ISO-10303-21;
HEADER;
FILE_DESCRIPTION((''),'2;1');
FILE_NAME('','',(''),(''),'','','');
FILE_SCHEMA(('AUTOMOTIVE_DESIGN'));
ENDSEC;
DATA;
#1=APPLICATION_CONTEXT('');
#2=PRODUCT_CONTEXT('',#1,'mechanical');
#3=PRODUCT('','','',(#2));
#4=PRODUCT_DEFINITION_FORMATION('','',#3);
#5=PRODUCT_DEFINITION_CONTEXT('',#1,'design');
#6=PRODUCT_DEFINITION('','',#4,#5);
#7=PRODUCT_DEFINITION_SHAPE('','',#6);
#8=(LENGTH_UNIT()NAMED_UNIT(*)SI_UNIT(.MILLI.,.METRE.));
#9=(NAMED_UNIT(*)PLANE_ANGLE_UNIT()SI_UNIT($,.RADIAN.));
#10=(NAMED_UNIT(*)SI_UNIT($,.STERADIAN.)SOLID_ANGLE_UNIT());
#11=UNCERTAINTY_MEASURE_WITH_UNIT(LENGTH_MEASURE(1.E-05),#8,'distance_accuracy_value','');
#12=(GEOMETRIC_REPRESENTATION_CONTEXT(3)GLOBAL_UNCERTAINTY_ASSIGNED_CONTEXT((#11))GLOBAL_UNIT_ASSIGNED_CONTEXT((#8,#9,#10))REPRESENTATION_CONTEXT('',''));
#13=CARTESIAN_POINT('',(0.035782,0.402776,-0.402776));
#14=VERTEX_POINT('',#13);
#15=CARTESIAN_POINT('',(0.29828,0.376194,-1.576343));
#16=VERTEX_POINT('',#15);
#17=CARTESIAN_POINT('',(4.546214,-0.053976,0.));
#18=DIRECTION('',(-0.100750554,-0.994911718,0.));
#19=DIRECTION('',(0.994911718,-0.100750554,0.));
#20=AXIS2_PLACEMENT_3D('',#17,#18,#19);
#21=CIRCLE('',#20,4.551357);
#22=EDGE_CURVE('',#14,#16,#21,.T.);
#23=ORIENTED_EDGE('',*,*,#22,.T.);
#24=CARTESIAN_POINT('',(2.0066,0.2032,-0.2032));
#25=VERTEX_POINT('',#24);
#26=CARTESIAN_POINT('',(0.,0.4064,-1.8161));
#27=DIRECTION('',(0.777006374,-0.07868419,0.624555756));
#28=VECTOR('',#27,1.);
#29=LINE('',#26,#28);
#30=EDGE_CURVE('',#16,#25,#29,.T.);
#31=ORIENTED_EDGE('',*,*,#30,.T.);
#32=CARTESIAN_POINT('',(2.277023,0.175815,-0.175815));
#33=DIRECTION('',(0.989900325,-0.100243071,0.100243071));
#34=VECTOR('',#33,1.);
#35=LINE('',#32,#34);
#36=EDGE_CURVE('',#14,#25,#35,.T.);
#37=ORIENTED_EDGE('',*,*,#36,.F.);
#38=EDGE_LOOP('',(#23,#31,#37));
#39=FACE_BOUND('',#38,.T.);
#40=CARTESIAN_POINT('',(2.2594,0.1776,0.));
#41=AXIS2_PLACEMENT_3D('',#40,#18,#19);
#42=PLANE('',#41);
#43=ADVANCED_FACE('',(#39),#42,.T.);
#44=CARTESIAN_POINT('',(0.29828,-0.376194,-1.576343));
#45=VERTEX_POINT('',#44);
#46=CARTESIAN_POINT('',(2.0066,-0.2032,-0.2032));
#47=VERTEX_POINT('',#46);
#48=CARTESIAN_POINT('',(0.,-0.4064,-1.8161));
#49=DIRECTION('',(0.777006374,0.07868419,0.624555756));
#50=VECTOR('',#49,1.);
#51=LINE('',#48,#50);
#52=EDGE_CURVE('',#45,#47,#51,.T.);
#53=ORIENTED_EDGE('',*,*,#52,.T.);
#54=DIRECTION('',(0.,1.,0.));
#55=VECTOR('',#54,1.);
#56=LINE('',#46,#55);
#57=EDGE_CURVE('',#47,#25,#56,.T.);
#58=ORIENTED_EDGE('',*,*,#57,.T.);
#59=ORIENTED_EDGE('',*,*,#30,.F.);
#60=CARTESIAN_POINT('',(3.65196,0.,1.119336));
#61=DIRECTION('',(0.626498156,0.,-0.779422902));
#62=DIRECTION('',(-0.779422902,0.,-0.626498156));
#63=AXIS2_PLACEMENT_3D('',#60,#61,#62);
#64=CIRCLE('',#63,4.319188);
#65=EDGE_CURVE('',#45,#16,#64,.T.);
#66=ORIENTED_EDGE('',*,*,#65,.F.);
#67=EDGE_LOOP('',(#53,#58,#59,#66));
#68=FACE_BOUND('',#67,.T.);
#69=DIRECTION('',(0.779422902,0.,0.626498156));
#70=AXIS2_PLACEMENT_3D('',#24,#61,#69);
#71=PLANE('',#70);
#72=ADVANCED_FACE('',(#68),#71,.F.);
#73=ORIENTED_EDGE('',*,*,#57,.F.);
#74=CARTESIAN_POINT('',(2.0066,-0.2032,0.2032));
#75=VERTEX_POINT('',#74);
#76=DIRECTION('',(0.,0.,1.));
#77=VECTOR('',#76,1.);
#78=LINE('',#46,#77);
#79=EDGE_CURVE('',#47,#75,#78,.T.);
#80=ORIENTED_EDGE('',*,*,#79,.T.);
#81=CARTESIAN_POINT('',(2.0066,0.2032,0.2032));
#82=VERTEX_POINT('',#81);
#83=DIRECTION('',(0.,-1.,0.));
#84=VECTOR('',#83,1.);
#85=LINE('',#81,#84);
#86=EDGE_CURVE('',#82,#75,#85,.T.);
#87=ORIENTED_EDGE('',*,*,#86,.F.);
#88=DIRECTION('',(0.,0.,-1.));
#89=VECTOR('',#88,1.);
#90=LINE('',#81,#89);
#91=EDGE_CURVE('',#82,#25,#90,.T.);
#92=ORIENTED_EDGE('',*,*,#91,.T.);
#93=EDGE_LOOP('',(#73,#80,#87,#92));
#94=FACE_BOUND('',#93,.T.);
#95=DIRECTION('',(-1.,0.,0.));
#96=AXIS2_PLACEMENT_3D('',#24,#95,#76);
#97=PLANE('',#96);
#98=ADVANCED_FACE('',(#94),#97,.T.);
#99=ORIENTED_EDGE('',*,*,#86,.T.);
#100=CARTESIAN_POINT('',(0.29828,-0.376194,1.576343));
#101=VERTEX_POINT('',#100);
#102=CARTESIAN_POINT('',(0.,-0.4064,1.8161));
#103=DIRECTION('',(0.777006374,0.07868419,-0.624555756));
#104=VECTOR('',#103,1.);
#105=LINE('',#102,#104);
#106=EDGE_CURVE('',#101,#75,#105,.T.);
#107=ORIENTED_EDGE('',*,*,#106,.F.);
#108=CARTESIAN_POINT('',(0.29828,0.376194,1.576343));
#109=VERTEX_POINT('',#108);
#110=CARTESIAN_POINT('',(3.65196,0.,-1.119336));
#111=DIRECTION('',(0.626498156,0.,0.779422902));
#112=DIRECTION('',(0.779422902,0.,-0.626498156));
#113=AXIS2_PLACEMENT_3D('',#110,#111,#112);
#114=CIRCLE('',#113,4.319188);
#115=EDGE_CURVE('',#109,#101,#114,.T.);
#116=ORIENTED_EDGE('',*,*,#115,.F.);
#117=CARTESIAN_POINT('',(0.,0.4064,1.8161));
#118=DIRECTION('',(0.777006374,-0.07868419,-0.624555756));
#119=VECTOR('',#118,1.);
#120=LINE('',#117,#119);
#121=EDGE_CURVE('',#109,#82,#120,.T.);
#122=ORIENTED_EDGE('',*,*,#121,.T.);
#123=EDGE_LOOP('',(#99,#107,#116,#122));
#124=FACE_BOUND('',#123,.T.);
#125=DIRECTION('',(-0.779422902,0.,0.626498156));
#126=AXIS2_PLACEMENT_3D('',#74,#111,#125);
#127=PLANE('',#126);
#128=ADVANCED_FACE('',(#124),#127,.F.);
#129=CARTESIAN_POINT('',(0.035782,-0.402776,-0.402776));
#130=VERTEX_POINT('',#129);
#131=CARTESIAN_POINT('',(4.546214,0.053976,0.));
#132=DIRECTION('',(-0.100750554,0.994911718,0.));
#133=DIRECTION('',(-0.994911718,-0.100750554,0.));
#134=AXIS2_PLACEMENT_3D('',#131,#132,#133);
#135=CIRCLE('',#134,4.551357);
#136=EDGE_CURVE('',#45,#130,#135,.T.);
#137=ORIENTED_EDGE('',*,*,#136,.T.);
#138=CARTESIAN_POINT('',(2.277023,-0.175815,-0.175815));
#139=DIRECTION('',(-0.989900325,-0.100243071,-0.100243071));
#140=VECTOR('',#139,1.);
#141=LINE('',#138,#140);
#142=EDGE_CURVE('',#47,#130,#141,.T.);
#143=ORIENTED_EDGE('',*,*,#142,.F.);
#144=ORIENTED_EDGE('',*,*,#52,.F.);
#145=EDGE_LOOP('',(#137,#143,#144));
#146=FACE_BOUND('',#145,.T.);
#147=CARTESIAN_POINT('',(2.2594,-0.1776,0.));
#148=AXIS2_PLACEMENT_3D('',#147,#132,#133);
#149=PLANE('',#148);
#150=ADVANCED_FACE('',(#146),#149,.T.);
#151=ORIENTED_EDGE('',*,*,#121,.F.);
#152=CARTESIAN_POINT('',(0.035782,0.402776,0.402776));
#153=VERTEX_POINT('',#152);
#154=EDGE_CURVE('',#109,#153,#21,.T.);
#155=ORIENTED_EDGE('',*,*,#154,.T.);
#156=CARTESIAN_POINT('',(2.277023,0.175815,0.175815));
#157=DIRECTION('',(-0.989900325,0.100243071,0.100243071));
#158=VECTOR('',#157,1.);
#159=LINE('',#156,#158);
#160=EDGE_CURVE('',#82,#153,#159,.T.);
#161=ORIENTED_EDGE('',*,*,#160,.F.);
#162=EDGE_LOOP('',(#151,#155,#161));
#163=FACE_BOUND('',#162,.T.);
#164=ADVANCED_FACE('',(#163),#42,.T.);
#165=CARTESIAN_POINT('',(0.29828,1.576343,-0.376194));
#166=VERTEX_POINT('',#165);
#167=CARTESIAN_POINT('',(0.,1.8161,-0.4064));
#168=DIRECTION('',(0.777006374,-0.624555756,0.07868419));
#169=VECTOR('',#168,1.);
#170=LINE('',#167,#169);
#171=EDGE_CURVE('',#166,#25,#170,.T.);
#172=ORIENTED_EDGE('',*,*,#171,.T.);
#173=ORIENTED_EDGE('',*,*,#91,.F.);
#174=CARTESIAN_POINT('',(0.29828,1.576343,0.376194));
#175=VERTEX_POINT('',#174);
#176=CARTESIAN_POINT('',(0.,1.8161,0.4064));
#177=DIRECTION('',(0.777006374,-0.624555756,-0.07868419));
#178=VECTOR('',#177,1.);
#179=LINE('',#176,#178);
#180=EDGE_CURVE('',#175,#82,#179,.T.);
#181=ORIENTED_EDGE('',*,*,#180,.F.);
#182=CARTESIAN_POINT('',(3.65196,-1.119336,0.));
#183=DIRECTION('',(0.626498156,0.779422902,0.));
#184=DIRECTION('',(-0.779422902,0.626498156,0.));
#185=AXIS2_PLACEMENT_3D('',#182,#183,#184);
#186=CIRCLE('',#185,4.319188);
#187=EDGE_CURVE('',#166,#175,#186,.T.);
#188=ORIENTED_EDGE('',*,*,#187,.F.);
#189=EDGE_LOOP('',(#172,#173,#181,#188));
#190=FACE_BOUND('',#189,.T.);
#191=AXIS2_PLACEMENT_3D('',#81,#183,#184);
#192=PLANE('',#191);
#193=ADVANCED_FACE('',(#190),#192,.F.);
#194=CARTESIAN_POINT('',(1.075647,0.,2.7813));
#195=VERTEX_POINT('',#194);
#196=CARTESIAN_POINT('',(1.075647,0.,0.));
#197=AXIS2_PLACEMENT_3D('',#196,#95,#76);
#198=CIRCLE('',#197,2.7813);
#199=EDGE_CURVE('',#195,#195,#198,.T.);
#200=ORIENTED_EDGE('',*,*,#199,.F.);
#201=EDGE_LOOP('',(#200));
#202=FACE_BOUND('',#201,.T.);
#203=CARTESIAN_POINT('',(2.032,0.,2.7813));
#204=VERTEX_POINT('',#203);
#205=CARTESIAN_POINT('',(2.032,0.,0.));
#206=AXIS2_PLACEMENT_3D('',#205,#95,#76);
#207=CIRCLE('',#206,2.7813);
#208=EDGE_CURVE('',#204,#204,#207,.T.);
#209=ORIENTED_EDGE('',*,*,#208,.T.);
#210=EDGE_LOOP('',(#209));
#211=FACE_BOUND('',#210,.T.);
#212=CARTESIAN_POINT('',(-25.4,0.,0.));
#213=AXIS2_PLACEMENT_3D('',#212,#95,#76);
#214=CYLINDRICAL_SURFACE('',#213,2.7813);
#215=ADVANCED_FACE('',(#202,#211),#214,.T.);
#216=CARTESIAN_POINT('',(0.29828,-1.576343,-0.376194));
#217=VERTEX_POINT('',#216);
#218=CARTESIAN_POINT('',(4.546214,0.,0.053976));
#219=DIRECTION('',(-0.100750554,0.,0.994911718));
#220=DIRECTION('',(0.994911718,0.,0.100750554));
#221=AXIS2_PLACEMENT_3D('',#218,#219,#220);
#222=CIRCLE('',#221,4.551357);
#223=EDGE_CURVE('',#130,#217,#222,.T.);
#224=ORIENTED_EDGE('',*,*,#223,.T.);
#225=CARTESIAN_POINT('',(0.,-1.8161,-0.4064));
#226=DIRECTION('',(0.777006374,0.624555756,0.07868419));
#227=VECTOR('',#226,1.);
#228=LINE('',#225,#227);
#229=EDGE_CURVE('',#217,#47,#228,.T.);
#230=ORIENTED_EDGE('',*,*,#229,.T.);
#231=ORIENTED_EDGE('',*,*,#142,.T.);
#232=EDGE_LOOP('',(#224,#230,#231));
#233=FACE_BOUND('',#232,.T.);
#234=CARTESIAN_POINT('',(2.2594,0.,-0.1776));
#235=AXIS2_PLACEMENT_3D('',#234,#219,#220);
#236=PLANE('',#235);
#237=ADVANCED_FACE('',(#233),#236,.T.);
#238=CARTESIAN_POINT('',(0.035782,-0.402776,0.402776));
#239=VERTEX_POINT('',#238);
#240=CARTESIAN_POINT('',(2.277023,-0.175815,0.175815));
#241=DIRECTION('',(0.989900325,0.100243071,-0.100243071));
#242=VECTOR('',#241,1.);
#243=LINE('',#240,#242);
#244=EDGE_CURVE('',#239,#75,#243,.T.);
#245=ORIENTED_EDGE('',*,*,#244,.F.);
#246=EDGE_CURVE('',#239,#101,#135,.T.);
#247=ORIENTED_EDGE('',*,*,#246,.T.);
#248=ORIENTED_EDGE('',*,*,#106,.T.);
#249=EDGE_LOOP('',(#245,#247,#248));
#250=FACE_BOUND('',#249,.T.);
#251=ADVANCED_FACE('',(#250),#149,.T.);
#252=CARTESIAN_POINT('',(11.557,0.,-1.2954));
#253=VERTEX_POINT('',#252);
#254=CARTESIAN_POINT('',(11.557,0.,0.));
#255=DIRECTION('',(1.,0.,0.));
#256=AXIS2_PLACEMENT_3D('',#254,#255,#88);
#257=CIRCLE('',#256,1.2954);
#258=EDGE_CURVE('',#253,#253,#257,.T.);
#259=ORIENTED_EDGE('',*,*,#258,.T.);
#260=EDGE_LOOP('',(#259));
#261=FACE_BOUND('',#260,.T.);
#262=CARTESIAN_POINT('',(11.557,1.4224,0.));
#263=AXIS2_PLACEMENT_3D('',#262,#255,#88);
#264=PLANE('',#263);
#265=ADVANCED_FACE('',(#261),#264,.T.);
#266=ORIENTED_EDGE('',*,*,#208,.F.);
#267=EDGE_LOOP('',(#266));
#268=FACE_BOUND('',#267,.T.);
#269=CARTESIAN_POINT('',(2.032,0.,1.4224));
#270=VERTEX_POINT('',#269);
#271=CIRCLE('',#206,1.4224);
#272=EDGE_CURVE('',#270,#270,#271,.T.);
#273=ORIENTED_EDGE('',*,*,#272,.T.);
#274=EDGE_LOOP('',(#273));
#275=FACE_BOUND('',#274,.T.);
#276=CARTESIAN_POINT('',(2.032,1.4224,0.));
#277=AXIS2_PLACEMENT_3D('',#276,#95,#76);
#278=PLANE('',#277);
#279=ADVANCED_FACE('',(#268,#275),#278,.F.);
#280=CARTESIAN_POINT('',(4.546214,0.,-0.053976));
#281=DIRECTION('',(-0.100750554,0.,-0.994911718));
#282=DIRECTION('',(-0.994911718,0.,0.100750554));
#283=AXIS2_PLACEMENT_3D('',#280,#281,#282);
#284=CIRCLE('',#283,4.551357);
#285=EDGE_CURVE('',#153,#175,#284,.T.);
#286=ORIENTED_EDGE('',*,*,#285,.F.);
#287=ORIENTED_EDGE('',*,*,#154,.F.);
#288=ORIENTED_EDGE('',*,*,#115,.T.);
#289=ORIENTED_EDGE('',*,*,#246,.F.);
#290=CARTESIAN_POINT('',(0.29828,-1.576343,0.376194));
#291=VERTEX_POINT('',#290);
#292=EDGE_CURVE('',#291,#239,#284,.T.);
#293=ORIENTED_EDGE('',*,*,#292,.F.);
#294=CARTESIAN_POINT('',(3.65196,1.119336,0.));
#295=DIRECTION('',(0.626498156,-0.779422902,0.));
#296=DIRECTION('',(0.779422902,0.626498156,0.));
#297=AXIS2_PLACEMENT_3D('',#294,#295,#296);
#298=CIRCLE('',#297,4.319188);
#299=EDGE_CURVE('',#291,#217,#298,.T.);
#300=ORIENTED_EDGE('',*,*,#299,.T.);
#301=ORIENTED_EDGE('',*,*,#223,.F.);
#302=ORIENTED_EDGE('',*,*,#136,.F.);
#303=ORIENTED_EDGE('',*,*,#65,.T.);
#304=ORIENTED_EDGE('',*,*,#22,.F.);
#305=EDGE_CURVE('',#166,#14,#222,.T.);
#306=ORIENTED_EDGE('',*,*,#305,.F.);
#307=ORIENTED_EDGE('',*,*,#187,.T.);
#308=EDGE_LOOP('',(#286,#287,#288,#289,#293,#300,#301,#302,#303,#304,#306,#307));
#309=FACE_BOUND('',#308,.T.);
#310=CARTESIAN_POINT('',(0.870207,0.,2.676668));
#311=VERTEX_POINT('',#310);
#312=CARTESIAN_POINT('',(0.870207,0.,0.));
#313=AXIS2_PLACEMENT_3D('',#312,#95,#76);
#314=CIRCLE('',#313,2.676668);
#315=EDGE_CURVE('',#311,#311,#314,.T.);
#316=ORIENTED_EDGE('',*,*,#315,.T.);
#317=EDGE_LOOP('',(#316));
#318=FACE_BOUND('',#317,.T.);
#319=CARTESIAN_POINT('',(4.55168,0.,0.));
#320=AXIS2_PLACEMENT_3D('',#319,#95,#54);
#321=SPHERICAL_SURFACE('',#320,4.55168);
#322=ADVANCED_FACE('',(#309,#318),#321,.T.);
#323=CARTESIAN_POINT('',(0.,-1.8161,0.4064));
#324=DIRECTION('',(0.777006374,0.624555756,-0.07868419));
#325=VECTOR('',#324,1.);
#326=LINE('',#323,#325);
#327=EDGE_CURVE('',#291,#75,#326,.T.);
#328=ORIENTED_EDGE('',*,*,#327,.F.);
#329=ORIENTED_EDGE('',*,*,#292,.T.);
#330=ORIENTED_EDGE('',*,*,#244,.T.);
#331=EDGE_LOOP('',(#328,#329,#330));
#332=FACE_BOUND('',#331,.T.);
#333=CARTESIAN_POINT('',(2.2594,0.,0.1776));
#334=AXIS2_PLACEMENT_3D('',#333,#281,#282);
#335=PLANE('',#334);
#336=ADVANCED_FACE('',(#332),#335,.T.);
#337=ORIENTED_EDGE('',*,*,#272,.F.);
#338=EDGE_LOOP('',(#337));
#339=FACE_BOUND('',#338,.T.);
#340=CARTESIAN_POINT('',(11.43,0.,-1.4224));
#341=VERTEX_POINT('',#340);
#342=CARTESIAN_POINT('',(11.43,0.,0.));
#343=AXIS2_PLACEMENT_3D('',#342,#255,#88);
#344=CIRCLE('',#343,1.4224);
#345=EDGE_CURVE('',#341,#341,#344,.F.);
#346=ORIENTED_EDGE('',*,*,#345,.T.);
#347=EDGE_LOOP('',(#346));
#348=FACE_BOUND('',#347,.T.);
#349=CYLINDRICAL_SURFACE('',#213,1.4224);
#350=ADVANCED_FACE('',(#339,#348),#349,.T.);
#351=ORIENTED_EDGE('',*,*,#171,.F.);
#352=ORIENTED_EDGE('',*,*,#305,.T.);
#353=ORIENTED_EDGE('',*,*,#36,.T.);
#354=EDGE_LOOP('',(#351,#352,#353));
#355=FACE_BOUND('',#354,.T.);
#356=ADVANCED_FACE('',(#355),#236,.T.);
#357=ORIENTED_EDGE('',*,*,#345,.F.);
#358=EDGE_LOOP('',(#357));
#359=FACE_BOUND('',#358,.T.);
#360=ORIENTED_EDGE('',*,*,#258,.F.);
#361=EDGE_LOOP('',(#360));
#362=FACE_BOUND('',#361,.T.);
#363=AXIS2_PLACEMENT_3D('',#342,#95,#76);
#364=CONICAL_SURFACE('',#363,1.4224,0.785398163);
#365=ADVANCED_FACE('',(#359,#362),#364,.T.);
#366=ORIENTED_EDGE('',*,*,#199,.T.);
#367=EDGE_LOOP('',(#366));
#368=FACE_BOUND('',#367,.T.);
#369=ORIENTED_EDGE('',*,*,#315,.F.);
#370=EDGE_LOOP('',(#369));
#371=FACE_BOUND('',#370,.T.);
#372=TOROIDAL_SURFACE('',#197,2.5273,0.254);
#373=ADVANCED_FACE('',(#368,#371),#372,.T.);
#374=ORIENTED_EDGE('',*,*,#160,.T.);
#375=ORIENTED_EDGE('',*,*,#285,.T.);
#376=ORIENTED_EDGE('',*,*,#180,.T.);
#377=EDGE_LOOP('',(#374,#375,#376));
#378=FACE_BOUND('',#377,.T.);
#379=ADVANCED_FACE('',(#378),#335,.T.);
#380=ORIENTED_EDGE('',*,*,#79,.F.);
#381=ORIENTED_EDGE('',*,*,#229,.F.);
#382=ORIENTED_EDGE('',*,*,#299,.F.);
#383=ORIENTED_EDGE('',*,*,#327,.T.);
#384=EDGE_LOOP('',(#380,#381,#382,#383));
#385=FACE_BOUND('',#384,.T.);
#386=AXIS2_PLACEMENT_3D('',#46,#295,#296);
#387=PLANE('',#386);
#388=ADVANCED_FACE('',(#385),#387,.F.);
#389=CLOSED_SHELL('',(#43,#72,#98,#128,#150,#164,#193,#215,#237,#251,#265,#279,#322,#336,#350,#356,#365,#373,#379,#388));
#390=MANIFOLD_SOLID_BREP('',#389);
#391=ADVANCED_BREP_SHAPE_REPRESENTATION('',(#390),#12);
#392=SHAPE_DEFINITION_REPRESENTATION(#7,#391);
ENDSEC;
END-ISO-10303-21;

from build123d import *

# Parameters (mm, degrees)
CIRPATTERN1_COUNT = 2
CIRPATTERN1_ANGLE = 90
CHAMFER1_SIZE     = 0.127


with BuildPart() as part:
    # BodySke → Base-Revolve (revolve)
    with BuildSketch(Plane.XY, mode=Mode.PRIVATE) as base_revolve_sk:
        with BuildLine():
            Line((2.032, 1.4224), (2.032, 2.7813))
            Line((2.032, 2.7813), (1.075646615, 2.7813))
            ThreePointArc((1.075646615, 2.7813), (0.960371669, 2.753635341), (0.87020729, 2.676667612))
            ThreePointArc((0.87020729, 2.676667612), (0.223015279, 1.407285528), (0, 0))
            Line((0, 0), (11.557, 0))
            Line((11.557, 0), (11.557, 1.4224))
            Line((11.557, 1.4224), (2.032, 1.4224))
        make_face()
    revolve(base_revolve_sk.sketch.rotate(Axis((-25.4, 0, 0), (1, 0, 0)), 90), axis=Axis((-25.4, 0, 0), (1, 0, 0)))

    # Sketch3 → Cut-Loft1 section 0
    with BuildSketch(Plane(origin=(0, 0, 0), x_dir=(0, 0, -1), z_dir=(1, 0, 0))):
        with BuildLine():
            Line((0.4064, -1.8161), (-0.4064, -1.8161))
            Line((-0.4064, -1.8161), (-0.4064, 1.8161))
            Line((-0.4064, 1.8161), (0.4064, 1.8161))
            Line((0.4064, 1.8161), (0.4064, -1.8161))
        make_face()
    # Sketch4 → Cut-Loft1 section 1
    with BuildSketch(Plane(origin=(2.0066, 0, 0), x_dir=(0, 0, -1), z_dir=(1, 0, 0))):
        with BuildLine():
            Line((0.2032, -0.2032), (-0.2032, -0.2032))
            Line((-0.2032, -0.2032), (-0.2032, 0.2032))
            Line((-0.2032, 0.2032), (0.2032, 0.2032))
            Line((0.2032, 0.2032), (0.2032, -0.2032))
        make_face()
    cut_loft1 = loft(mode=Mode.SUBTRACT)

    # CirPattern1: Cut-Loft1 ×2 about axis
    cirpattern1_axis = Axis((0, 0, 0), (1, 0, 0))
    for i in range(1, CIRPATTERN1_COUNT):
        add(cut_loft1.rotate(cirpattern1_axis, i * CIRPATTERN1_ANGLE / (CIRPATTERN1_COUNT - 1)), mode=Mode.SUBTRACT)

    # Chamfer1
    chamfer1_edges = [part.edges().sort_by_distance(p)[0] for p in [
        (11.557, 0, -1.4224),
    ]]
    chamfer(chamfer1_edges, length=CHAMFER1_SIZE)


solid = part.part
